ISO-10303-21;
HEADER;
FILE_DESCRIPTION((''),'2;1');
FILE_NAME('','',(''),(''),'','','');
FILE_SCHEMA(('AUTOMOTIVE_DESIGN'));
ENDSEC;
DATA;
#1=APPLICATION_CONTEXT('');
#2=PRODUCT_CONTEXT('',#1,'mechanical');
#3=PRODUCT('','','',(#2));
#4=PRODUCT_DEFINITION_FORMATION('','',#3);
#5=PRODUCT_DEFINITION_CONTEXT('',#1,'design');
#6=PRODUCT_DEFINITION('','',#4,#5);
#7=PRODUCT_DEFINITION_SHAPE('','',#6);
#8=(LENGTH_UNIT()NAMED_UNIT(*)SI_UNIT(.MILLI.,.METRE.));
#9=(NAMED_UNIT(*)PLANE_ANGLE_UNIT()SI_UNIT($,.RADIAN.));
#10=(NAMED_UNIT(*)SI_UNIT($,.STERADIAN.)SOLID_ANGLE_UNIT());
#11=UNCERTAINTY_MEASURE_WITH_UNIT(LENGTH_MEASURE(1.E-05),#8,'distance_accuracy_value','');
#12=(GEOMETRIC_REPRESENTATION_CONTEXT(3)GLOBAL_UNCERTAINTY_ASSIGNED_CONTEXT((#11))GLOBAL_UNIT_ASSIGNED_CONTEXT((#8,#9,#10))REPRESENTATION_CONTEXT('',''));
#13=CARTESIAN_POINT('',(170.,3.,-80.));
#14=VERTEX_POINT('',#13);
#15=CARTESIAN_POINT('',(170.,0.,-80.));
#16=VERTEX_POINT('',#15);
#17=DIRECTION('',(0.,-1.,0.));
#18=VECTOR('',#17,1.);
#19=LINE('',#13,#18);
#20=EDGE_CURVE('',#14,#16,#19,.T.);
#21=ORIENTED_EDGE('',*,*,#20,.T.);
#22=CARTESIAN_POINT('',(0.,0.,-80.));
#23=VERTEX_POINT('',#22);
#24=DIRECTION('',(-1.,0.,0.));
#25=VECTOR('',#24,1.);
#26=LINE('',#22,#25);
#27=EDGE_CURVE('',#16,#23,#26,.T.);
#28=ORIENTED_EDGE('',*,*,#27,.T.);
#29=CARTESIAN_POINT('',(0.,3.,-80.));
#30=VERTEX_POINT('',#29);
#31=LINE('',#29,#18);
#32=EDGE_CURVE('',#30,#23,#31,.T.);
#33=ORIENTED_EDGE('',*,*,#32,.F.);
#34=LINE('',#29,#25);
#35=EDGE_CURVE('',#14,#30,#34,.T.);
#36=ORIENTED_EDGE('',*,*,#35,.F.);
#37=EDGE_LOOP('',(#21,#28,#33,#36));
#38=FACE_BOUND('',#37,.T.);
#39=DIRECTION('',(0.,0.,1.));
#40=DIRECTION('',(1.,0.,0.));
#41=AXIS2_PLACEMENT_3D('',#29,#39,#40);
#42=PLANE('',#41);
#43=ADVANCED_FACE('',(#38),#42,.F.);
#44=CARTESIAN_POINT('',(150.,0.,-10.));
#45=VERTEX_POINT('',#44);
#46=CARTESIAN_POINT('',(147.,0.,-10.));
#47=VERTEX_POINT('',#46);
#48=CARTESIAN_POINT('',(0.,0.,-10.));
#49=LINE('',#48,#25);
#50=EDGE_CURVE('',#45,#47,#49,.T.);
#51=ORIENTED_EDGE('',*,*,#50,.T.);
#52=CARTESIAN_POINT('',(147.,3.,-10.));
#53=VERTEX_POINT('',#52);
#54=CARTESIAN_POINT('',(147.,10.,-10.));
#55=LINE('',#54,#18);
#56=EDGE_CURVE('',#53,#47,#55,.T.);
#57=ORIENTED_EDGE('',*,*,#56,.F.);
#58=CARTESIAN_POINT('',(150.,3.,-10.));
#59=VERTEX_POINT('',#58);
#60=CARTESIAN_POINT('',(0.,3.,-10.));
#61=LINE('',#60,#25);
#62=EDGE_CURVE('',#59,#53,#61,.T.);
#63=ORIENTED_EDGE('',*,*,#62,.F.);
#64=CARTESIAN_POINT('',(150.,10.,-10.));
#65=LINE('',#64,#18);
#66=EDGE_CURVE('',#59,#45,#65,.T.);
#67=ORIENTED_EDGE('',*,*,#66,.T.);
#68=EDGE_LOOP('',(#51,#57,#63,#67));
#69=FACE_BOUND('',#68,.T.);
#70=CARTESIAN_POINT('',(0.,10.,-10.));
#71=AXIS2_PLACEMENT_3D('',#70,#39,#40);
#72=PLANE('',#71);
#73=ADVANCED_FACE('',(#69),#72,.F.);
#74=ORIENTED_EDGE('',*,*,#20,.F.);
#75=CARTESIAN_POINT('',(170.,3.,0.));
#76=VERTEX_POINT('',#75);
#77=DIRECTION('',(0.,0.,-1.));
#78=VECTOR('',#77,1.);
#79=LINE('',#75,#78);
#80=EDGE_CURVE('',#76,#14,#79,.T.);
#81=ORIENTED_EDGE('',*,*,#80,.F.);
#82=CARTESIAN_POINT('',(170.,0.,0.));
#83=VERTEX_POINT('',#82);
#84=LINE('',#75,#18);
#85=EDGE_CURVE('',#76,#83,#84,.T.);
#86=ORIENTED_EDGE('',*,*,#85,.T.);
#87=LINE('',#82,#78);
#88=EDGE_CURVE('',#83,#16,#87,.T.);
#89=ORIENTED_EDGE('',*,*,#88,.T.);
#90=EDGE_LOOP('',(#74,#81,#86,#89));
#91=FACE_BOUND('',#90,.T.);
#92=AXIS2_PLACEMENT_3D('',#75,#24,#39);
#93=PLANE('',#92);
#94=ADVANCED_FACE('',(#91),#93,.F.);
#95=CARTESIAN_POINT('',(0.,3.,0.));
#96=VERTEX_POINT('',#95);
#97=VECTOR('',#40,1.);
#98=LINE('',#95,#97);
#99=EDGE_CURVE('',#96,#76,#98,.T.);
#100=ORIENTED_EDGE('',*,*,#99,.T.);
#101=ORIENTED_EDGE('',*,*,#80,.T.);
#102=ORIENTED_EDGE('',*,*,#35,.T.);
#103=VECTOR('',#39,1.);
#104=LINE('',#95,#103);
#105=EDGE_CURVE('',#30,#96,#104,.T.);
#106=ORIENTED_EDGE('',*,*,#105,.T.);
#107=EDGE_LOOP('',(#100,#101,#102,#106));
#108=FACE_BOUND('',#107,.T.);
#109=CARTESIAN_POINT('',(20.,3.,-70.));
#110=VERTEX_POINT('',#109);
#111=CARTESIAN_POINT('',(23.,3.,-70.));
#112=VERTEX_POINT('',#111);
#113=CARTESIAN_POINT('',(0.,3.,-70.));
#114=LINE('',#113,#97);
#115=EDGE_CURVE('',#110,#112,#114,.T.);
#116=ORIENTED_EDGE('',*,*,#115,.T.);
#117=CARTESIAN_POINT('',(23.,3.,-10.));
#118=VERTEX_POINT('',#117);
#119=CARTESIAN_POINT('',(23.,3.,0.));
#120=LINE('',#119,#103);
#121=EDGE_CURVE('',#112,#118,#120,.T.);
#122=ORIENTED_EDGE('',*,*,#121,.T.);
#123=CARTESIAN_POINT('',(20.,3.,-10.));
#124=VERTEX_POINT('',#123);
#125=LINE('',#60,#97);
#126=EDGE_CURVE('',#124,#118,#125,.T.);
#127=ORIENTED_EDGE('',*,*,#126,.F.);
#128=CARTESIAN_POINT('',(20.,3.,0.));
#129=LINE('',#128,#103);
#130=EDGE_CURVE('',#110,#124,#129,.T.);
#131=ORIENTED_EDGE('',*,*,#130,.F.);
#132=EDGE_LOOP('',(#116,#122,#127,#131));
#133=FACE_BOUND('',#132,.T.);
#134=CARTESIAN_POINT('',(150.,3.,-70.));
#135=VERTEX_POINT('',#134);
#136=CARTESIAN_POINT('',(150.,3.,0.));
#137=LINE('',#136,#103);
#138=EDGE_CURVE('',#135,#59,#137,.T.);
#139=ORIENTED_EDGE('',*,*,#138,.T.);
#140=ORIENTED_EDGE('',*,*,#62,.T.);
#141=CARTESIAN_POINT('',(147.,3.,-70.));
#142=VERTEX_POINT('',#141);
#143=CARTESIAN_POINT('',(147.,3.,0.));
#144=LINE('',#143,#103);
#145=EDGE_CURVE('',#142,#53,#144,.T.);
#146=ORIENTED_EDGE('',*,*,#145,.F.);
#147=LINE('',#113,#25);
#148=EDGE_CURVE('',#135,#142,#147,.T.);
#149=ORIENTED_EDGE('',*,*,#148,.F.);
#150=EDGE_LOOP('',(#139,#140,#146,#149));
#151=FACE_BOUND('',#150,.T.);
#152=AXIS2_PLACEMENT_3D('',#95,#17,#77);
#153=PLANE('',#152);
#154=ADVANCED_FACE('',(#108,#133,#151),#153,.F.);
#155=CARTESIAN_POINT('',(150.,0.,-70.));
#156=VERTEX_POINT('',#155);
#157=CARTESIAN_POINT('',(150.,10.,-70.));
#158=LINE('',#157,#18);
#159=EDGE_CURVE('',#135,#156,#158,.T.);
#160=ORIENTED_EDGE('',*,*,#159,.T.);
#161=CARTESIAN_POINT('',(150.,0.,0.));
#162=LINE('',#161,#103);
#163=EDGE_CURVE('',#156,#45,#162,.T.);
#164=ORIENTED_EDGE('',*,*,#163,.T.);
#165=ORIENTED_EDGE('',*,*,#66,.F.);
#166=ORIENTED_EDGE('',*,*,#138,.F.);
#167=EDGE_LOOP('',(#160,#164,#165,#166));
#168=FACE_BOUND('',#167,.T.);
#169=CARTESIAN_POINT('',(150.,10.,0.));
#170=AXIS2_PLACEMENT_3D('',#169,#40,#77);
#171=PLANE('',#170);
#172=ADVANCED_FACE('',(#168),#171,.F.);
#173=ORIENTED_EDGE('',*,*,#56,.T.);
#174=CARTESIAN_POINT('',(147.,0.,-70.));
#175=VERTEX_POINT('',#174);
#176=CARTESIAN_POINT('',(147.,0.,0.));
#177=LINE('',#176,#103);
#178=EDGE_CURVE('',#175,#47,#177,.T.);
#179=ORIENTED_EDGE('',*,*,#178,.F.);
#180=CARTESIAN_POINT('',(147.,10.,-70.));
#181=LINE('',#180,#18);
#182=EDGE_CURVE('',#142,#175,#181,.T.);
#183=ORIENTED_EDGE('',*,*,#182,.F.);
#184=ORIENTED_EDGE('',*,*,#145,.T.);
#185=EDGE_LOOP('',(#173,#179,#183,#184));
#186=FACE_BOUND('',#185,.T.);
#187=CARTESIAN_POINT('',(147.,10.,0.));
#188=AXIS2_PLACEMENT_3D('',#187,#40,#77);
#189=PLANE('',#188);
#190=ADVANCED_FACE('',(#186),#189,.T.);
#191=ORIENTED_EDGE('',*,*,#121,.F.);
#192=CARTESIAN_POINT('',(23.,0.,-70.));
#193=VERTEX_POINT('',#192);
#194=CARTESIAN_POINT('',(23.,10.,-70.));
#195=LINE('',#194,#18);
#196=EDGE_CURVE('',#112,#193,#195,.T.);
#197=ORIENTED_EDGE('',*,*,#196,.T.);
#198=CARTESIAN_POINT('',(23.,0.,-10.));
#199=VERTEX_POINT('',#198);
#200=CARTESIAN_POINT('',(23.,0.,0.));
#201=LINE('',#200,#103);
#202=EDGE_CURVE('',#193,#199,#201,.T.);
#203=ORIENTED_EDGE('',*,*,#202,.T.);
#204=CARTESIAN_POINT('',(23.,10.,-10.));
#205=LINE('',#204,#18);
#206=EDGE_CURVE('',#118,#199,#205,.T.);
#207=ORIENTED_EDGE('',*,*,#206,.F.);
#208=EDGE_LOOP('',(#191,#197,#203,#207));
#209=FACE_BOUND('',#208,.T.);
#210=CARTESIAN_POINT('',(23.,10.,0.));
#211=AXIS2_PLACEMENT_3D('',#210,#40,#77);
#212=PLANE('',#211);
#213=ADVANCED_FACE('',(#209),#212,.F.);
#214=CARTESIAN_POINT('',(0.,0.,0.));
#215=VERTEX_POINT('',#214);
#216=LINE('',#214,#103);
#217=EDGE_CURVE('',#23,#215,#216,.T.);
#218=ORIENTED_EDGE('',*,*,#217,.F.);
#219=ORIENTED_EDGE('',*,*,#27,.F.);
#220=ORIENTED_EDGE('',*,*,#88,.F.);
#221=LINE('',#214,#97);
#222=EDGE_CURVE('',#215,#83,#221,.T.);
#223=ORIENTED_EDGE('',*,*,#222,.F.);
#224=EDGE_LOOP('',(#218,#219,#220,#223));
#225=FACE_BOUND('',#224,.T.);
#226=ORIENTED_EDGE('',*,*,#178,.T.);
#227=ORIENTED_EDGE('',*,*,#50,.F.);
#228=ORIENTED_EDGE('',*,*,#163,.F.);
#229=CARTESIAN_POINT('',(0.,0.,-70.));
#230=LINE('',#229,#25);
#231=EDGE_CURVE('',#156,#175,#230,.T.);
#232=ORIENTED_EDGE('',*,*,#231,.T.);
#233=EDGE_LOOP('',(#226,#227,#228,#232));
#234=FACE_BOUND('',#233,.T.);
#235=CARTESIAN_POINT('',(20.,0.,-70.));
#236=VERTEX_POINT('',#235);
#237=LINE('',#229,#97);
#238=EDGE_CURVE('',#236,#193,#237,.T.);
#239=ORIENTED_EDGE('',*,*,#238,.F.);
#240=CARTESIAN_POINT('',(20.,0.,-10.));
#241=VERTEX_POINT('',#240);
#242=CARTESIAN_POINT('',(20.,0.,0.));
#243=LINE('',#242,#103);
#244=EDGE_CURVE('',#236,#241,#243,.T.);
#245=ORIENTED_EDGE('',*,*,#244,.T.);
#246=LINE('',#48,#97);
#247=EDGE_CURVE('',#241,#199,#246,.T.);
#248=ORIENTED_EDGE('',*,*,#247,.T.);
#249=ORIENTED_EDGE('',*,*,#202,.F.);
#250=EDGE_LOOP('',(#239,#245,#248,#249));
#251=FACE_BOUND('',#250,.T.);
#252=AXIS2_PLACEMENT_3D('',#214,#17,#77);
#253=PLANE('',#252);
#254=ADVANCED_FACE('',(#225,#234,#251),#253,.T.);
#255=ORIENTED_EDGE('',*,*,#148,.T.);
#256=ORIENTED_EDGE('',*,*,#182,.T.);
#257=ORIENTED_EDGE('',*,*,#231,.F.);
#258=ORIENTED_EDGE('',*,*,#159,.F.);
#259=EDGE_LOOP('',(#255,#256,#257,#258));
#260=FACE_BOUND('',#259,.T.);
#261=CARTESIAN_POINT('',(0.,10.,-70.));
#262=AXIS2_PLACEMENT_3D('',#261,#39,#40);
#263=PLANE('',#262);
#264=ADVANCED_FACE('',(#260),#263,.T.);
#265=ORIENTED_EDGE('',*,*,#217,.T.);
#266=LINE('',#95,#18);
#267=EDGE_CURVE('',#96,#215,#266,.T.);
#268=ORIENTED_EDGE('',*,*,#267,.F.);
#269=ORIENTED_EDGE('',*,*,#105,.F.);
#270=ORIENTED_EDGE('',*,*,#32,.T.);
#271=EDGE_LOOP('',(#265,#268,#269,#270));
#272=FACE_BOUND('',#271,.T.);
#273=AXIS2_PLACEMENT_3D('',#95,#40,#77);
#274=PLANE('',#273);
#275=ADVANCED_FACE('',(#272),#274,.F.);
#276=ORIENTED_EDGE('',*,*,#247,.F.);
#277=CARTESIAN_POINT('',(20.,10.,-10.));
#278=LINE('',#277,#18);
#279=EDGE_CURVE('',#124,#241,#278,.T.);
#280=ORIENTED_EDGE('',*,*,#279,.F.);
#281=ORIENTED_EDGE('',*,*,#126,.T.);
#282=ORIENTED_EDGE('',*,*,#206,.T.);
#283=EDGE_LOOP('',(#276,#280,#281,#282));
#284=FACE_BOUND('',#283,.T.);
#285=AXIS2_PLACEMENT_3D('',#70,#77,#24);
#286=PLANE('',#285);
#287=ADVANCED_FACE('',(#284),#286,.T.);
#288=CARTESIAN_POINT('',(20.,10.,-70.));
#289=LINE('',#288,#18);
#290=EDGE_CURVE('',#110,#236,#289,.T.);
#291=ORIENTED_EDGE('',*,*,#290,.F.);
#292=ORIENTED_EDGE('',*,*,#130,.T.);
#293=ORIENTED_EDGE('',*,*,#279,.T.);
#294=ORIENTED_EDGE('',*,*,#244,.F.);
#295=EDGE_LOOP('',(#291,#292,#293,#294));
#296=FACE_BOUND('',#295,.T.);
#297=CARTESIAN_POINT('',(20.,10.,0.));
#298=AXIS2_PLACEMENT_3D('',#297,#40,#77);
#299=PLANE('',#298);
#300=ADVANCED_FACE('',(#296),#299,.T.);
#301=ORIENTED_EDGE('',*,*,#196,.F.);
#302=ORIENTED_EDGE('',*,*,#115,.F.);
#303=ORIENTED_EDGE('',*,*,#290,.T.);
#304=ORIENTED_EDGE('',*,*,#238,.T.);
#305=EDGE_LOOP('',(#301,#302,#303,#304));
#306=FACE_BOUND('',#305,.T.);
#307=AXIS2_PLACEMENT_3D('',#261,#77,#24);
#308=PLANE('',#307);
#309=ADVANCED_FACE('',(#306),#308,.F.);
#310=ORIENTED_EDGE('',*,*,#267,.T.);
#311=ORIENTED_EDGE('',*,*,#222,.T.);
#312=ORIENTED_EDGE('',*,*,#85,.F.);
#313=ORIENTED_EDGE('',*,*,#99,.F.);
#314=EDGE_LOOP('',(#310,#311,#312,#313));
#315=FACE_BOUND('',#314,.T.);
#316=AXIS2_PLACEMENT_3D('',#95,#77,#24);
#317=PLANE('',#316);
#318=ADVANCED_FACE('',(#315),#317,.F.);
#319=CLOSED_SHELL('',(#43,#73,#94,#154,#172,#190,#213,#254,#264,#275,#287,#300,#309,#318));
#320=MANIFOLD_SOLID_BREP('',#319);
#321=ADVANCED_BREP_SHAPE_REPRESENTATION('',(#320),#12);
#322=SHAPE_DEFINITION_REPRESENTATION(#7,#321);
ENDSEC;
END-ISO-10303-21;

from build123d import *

# Parameters (mm, degrees)
SKETCH1_W           = 170
SKETCH1_H           = 80
BOSS_EXTRUDE1_DEPTH = 3
SKETCH2_W           = 3
SKETCH2_H           = 60
CUT_EXTRUDE1_DEPTH  = 10


with BuildPart() as part:
    # Sketch1 → Boss-Extrude1 (new body)
    with BuildSketch(Plane(origin=(0, 0, 0), x_dir=(1, 0, 0), z_dir=(0, 1, 0))):
        with Locations((85, 40)):
            Rectangle(SKETCH1_W, SKETCH1_H)
    extrude(amount=BOSS_EXTRUDE1_DEPTH)

    # Sketch2 → Cut-Extrude1 (cut)
    with BuildSketch(Plane(origin=(0, 0, 0), x_dir=(1, 0, 0), z_dir=(0, 1, 0))):
        with Locations((21.5, 40)):
            Rectangle(SKETCH2_W, SKETCH2_H)
        with Locations((148.5, 40)):
            Rectangle(SKETCH2_W, SKETCH2_H)
    extrude(amount=CUT_EXTRUDE1_DEPTH, mode=Mode.SUBTRACT)


solid = part.part
